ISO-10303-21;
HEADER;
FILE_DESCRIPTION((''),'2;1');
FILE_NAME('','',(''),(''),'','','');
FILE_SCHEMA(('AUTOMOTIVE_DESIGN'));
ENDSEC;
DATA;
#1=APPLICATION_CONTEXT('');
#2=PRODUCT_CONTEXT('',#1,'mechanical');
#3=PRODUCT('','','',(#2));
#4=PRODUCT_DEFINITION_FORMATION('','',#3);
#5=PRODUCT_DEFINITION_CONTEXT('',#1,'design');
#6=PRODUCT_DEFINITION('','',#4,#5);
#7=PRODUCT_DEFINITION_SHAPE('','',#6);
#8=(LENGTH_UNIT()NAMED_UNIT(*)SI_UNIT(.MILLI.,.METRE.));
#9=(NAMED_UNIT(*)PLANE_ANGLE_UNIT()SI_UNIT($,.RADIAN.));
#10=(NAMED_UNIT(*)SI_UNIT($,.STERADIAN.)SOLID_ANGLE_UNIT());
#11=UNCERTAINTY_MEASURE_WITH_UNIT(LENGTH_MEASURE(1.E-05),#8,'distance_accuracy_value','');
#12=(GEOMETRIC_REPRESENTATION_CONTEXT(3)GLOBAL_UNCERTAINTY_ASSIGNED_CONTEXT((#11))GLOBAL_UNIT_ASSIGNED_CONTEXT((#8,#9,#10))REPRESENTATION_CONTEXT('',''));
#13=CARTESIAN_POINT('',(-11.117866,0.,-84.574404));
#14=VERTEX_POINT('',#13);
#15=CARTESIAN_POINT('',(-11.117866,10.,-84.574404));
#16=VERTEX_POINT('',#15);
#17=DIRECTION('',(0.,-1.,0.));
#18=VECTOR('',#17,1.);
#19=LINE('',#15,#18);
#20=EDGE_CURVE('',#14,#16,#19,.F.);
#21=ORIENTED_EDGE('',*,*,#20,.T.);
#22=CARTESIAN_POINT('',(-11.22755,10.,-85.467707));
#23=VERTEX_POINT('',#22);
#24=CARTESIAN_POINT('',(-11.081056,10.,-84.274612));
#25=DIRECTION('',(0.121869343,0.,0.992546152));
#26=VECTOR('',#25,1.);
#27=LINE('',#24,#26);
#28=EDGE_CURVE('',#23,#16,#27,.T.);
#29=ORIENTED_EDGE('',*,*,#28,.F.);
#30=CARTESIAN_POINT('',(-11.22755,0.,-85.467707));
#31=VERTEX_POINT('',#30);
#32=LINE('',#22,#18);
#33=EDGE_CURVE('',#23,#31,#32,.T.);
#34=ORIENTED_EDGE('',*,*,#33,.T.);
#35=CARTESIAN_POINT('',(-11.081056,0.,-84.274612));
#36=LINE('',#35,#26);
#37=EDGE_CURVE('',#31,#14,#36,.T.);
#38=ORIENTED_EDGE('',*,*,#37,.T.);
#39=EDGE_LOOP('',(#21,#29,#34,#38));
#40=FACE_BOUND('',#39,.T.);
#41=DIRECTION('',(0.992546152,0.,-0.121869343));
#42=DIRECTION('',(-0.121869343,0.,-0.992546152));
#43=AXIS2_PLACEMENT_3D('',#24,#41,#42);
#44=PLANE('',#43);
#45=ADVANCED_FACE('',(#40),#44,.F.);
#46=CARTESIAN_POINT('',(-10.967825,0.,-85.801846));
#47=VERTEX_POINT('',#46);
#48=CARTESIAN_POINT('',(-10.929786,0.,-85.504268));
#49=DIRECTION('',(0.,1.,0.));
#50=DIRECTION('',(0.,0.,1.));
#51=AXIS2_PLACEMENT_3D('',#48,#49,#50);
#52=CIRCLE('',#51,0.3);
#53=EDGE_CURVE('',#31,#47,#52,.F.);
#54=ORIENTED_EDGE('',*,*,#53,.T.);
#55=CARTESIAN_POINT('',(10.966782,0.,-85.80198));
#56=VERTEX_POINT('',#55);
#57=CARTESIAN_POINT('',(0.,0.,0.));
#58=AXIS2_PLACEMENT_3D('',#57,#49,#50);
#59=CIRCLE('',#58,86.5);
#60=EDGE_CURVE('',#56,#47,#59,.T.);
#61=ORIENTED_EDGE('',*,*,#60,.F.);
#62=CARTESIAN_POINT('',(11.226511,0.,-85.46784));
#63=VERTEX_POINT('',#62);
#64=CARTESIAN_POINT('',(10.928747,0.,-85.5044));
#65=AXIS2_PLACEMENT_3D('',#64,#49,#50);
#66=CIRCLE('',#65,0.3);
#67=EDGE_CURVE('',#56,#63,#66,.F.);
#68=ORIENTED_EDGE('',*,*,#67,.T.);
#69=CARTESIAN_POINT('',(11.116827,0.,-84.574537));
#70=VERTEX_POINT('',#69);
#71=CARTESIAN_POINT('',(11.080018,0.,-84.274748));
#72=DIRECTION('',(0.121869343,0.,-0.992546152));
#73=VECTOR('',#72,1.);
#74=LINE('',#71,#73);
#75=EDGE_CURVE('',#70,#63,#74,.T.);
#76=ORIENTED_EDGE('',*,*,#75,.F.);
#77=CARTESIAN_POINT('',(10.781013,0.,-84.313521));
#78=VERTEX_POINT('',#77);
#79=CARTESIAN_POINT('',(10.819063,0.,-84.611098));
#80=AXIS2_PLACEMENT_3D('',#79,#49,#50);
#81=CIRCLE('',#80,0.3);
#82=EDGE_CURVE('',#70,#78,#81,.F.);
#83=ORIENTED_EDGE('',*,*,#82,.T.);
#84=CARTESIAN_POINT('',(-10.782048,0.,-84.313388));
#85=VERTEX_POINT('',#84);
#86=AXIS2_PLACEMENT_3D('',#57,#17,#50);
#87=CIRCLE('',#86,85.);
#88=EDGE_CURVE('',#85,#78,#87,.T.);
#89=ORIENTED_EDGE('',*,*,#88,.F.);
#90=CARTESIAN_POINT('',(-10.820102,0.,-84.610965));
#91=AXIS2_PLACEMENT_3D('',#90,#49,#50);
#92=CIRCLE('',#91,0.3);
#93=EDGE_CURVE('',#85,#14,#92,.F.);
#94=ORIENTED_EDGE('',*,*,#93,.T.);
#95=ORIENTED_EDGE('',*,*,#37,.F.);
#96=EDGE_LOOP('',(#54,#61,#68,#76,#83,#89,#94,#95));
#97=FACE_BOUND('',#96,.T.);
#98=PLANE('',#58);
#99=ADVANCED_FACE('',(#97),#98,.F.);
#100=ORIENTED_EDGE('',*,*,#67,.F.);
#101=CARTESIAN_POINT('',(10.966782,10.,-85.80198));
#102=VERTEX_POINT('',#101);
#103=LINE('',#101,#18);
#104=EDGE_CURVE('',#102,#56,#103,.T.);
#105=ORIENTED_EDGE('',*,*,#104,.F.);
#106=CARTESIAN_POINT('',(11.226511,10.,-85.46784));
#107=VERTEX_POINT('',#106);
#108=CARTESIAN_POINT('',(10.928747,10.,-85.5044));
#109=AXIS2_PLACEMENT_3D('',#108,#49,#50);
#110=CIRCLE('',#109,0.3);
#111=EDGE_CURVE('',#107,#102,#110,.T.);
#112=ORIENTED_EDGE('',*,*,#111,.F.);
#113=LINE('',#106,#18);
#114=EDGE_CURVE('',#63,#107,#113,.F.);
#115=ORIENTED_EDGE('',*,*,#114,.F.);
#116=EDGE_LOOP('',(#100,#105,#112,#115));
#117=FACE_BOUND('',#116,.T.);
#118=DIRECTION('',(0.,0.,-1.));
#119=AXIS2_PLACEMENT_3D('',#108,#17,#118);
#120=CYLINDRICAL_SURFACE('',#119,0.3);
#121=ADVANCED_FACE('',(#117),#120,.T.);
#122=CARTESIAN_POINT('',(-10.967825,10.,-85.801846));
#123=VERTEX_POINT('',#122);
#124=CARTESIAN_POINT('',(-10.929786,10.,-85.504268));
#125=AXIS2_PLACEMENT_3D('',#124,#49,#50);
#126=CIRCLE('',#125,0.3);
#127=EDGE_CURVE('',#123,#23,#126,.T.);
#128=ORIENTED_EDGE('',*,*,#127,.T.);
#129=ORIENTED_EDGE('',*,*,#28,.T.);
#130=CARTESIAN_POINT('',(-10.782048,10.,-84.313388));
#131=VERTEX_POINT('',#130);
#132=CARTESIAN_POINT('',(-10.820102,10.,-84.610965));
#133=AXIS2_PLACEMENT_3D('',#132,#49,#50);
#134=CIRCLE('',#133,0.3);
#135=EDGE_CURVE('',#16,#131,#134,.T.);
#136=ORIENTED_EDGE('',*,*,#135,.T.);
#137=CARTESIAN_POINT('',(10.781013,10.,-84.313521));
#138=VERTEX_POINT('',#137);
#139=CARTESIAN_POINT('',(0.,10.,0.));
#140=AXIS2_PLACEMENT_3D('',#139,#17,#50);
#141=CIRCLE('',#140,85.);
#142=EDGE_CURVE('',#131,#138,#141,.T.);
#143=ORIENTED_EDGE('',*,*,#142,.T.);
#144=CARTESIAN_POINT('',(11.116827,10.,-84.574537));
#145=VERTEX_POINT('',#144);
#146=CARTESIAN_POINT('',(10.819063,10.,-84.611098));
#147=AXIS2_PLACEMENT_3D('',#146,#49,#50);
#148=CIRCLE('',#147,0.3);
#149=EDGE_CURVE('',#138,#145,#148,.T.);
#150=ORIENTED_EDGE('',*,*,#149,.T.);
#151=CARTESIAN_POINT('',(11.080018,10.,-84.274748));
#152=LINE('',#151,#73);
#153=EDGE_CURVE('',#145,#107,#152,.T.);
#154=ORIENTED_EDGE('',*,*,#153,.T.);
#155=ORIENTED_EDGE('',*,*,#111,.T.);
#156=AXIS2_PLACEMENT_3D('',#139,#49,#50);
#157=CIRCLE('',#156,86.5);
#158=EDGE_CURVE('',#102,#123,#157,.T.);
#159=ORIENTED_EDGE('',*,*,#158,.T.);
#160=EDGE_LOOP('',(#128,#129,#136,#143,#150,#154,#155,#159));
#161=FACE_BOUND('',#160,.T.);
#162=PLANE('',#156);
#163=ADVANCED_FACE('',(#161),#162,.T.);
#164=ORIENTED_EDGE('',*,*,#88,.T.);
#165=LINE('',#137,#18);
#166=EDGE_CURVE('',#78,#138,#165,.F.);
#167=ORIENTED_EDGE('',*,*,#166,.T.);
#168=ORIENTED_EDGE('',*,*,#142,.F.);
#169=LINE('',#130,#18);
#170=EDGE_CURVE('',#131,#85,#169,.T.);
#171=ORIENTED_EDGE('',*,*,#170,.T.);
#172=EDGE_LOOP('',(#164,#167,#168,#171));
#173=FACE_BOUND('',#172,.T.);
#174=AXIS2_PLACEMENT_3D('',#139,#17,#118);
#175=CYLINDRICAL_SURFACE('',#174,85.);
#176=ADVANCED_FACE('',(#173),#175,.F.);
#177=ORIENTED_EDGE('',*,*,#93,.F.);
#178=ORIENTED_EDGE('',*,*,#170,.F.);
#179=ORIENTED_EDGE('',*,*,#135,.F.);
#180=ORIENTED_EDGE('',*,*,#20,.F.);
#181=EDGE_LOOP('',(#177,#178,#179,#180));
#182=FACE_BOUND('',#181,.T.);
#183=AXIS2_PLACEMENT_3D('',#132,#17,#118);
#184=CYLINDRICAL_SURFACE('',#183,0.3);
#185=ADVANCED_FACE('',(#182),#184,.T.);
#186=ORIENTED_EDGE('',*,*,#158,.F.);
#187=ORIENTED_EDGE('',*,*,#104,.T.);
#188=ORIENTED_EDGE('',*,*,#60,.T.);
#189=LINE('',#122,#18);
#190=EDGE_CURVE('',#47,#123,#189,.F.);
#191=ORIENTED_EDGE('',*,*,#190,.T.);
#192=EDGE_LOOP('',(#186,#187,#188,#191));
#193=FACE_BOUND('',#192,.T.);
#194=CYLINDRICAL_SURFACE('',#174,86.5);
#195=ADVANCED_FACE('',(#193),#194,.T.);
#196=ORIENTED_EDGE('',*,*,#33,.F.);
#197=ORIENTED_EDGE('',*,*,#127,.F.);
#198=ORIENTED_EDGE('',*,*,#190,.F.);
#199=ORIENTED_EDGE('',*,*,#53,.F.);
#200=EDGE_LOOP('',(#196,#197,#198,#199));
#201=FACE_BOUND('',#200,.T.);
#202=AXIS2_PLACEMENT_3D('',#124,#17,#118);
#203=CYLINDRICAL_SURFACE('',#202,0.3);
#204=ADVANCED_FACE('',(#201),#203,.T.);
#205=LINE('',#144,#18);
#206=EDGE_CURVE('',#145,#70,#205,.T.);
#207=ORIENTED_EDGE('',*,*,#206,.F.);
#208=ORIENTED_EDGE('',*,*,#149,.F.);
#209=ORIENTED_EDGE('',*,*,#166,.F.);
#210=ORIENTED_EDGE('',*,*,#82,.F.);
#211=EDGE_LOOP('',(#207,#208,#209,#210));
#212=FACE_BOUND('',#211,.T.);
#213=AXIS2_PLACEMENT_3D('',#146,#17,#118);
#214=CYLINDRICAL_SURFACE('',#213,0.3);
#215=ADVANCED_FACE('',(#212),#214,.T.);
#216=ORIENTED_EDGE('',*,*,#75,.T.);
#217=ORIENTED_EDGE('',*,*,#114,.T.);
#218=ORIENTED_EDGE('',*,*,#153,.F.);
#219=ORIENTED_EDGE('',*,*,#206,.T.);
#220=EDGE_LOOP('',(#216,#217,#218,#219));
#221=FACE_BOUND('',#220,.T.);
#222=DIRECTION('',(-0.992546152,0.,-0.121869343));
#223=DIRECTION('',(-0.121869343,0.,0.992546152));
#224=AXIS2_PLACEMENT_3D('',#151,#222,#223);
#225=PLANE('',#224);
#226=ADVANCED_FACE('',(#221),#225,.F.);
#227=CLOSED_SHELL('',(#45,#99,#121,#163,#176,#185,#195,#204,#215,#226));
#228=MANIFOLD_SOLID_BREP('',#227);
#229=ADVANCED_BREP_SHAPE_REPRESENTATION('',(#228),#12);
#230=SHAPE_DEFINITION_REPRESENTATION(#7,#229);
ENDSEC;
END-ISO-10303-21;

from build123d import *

# Parameters (mm, degrees)
RESSALTO_EXTRUS_O2_DEPTH = 10
FILETE1_R                = 0.3


with BuildPart() as part:
    # Esboço1 → Ressalto-extrusão2 (new body)
    with BuildSketch(Plane(origin=(0, 0, 0), x_dir=(1, 0, 0), z_dir=(0, 1, 0))):
        with BuildLine():
            Line((11.080017789, 84.274748328), (11.262828374, 85.763621058))
            ThreePointArc((11.262828374, 85.763621058), (-0.000523598, 86.499999998), (-11.263866654, 85.763484701))
            Line((-11.263866654, 85.763484701), (-11.081056051, 84.274611816))
            ThreePointArc((-11.081056051, 84.274611816), (-0.000523599, 84.999999998), (11.080017789, 84.274748328))
        make_face()
    extrude(amount=RESSALTO_EXTRUS_O2_DEPTH)

    # Filete1
    filete1_edges = [part.edges().sort_by_distance(p)[0] for p in [
        (-11.081056051, 5, -84.274611816),
        (-11.263866654, 5, -85.763484701),
        (11.262828374, 5, -85.763621058),
        (11.080017789, 5, -84.274748328),
    ]]
    fillet(filete1_edges, radius=FILETE1_R)


solid = part.part
